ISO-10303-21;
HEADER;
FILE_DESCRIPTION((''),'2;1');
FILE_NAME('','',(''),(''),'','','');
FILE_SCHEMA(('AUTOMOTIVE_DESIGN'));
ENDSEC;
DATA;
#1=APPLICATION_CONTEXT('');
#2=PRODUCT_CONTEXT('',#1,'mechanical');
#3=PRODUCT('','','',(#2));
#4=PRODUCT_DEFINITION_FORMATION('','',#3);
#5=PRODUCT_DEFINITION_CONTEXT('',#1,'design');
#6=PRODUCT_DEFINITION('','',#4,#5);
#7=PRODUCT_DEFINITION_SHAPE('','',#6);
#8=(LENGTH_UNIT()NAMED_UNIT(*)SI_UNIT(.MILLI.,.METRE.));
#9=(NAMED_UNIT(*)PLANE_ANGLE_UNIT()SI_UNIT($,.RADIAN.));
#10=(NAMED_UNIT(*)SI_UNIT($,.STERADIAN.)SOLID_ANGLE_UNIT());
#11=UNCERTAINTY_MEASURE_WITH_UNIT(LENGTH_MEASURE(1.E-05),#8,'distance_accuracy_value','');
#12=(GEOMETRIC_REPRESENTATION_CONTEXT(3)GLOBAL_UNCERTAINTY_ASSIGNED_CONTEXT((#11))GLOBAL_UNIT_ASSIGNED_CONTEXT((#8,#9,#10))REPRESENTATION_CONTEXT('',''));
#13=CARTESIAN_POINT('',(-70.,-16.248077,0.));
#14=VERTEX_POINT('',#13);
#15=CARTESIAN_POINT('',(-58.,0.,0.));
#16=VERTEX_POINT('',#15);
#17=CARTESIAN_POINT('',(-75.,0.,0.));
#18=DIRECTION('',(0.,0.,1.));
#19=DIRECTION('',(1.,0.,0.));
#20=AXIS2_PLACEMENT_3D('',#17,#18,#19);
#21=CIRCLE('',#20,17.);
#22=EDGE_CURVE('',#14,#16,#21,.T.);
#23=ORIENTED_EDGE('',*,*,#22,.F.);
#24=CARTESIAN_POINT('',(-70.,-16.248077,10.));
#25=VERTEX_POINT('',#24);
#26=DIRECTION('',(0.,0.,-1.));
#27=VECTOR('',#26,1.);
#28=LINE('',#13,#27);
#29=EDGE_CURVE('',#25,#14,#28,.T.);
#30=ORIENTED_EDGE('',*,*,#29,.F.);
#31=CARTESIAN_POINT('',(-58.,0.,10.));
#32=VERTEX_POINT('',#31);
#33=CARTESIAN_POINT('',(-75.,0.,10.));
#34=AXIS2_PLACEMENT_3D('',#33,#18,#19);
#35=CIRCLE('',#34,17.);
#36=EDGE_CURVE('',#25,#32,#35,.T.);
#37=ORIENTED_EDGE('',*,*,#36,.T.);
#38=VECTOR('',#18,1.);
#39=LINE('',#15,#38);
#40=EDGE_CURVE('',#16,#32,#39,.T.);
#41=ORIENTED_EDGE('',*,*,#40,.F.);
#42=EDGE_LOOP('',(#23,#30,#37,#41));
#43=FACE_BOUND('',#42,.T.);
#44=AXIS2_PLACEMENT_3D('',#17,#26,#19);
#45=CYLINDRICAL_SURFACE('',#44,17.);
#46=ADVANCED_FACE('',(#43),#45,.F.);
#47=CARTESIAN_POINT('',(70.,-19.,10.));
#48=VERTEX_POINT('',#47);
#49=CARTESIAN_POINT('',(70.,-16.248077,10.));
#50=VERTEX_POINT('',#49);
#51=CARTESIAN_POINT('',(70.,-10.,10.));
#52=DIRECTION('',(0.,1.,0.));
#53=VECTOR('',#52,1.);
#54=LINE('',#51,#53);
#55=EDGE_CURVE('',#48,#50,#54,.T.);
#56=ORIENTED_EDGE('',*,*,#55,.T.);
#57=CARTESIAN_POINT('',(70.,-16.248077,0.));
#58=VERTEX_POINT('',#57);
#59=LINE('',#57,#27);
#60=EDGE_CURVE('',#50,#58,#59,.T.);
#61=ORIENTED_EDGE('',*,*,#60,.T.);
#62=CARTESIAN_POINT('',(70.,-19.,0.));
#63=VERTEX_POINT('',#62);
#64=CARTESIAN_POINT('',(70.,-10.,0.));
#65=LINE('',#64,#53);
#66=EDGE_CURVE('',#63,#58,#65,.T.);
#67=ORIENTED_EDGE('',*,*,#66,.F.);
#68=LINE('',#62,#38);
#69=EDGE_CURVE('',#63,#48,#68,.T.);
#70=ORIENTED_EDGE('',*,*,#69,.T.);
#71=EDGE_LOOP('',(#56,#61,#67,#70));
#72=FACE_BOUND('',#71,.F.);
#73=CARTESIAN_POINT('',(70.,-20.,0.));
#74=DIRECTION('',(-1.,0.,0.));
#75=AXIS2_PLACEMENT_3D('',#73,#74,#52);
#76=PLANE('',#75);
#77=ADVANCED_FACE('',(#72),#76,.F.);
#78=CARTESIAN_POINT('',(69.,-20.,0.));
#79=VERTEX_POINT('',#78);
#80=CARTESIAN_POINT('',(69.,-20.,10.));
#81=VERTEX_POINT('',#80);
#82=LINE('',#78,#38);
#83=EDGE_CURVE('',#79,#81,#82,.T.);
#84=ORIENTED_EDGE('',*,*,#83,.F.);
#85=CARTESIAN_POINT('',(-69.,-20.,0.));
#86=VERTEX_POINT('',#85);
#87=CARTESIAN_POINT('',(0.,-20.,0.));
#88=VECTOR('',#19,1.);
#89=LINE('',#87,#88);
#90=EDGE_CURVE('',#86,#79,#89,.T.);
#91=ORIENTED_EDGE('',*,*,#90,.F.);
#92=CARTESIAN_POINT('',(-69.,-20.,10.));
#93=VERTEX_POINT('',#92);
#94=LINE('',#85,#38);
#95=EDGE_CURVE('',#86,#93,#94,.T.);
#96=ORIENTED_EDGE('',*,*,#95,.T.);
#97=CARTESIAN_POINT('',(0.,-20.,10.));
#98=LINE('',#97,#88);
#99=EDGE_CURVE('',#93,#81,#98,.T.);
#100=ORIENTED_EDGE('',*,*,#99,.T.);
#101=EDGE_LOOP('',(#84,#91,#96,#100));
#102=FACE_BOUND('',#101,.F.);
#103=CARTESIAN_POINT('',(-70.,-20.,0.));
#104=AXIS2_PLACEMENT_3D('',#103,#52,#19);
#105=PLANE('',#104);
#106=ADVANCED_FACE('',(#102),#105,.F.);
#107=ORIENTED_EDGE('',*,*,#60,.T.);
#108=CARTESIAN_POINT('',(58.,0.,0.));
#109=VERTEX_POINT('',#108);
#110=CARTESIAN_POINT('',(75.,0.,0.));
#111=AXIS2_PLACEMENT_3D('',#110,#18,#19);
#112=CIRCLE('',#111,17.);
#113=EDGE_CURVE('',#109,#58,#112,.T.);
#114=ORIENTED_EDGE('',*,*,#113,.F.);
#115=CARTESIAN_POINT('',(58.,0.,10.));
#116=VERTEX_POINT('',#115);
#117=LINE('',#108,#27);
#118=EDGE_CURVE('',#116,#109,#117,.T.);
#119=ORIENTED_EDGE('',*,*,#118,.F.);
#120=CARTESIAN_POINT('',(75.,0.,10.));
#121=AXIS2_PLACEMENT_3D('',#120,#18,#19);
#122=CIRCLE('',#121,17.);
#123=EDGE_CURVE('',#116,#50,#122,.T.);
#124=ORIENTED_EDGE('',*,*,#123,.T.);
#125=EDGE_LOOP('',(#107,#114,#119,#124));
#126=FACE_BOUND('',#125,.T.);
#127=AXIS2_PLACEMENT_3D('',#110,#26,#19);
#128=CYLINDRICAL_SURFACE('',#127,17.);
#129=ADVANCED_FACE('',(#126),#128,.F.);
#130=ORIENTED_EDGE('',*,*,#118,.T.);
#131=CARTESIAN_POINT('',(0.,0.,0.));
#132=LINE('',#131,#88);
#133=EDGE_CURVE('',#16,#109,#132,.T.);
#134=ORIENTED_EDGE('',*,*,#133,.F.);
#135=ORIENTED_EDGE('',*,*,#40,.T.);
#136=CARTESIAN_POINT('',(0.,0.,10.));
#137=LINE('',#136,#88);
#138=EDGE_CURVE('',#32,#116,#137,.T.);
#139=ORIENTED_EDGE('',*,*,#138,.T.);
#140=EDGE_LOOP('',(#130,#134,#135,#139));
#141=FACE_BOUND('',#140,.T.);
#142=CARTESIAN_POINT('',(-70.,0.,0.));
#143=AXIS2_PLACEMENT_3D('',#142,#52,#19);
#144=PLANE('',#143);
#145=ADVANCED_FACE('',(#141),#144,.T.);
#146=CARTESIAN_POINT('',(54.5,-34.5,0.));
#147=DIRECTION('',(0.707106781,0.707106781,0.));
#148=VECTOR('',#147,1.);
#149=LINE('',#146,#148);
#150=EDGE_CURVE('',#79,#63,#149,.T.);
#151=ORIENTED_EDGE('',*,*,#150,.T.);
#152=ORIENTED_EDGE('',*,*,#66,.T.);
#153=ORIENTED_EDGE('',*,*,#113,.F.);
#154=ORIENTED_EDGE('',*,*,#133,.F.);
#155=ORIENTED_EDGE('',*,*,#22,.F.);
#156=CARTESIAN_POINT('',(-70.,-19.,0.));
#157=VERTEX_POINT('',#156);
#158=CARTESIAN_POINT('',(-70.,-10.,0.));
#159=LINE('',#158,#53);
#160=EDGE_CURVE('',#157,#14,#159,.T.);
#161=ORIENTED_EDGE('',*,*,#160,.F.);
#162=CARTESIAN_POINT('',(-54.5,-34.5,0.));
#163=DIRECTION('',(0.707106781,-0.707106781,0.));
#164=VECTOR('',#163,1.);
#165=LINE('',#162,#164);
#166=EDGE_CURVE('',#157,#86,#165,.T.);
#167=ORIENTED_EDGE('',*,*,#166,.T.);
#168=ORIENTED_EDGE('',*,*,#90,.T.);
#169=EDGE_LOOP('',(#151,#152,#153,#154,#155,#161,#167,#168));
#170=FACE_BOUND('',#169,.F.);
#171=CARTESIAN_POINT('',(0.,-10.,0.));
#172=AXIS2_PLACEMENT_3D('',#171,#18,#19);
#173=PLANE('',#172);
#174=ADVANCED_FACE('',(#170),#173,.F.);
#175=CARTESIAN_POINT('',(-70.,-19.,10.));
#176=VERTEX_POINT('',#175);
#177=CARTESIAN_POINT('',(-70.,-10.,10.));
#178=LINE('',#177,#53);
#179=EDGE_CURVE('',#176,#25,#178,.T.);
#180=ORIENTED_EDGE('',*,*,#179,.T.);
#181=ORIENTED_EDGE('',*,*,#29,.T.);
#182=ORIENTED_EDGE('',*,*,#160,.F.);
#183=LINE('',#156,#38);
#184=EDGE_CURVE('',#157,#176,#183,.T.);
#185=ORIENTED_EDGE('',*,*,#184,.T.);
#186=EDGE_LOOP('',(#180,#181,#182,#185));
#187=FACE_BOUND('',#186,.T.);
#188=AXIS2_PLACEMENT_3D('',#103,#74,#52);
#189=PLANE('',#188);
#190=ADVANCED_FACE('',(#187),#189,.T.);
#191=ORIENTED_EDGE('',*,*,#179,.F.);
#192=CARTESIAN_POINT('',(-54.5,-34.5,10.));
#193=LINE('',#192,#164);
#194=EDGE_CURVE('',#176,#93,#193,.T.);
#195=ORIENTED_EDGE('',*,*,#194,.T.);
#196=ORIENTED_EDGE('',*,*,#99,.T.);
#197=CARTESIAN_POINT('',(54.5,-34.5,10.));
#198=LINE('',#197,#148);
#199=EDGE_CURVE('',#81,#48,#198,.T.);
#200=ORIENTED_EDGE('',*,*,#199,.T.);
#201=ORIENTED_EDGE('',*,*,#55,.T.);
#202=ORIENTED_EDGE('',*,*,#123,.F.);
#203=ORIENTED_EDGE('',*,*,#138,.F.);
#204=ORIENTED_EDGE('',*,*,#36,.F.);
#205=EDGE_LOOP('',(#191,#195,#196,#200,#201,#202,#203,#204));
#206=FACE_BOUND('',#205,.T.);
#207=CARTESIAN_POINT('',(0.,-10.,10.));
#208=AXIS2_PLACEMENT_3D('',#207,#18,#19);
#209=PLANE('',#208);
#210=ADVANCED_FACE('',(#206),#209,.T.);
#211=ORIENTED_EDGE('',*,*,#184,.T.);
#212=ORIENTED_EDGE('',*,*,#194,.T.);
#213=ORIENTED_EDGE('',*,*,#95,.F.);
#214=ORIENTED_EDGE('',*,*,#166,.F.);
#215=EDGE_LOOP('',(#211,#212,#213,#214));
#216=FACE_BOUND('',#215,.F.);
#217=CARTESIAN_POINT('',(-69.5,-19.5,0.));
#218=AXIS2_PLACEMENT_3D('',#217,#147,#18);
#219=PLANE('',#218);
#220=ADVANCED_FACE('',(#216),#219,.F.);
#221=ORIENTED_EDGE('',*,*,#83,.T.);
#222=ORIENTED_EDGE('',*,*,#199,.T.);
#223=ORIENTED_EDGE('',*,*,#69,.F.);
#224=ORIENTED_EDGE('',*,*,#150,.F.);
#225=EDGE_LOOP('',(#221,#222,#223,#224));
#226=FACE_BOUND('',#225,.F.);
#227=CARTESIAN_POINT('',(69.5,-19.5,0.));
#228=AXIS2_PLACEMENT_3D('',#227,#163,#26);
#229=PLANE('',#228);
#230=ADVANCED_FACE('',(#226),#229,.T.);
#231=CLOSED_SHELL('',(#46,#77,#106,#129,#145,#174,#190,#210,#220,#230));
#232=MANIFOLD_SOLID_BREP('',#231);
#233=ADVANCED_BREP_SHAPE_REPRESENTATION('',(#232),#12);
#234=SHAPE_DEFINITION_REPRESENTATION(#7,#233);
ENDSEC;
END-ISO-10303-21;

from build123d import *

# Parameters (mm, degrees)
CYLINDER006_R     = 17
CYLINDER006_DEPTH = 10
CYLINDER007_R     = 17
CYLINDER007_DEPTH = 10
BOX003_W          = 140
BOX003_H          = 20
BOX003_DEPTH      = 10
CHAMFER_SIZE      = 1


with BuildPart() as cylinder006:
    # Cylinder006 → Cylinder006 (new body)
    with BuildSketch(Plane(origin=(-75, 0, 0), x_dir=(1, 0, 0), z_dir=(0, 0, 1))):
        Circle(CYLINDER006_R)
    extrude(amount=CYLINDER006_DEPTH)


with BuildPart() as cylinder007:
    # Cylinder007 → Cylinder007 (new body)
    with BuildSketch(Plane(origin=(75, 0, 0), x_dir=(1, 0, 0), z_dir=(0, 0, 1))):
        Circle(CYLINDER007_R)
    extrude(amount=CYLINDER007_DEPTH)


with BuildPart() as chamfer_body:
    # Box003 → Box003 (new body)
    with BuildSketch(Plane(origin=(-70, -20, 0), x_dir=(1, 0, 0), z_dir=(0, 0, 1))):
        with Locations((70, 10)):
            Rectangle(BOX003_W, BOX003_H)
    extrude(amount=BOX003_DEPTH)

    # Cut002: cut Cylinder007
    add(cylinder007.part, mode=Mode.SUBTRACT)

    # Cut003: cut Cylinder006
    add(cylinder006.part, mode=Mode.SUBTRACT)

    # Chamfer
    chamfer_edges = [chamfer_body.edges().sort_by_distance(p)[0] for p in [
        (-70, -20, 5),
        (70, -20, 5),
    ]]
    chamfer(chamfer_edges, length=CHAMFER_SIZE)


solid = chamfer_body.part
